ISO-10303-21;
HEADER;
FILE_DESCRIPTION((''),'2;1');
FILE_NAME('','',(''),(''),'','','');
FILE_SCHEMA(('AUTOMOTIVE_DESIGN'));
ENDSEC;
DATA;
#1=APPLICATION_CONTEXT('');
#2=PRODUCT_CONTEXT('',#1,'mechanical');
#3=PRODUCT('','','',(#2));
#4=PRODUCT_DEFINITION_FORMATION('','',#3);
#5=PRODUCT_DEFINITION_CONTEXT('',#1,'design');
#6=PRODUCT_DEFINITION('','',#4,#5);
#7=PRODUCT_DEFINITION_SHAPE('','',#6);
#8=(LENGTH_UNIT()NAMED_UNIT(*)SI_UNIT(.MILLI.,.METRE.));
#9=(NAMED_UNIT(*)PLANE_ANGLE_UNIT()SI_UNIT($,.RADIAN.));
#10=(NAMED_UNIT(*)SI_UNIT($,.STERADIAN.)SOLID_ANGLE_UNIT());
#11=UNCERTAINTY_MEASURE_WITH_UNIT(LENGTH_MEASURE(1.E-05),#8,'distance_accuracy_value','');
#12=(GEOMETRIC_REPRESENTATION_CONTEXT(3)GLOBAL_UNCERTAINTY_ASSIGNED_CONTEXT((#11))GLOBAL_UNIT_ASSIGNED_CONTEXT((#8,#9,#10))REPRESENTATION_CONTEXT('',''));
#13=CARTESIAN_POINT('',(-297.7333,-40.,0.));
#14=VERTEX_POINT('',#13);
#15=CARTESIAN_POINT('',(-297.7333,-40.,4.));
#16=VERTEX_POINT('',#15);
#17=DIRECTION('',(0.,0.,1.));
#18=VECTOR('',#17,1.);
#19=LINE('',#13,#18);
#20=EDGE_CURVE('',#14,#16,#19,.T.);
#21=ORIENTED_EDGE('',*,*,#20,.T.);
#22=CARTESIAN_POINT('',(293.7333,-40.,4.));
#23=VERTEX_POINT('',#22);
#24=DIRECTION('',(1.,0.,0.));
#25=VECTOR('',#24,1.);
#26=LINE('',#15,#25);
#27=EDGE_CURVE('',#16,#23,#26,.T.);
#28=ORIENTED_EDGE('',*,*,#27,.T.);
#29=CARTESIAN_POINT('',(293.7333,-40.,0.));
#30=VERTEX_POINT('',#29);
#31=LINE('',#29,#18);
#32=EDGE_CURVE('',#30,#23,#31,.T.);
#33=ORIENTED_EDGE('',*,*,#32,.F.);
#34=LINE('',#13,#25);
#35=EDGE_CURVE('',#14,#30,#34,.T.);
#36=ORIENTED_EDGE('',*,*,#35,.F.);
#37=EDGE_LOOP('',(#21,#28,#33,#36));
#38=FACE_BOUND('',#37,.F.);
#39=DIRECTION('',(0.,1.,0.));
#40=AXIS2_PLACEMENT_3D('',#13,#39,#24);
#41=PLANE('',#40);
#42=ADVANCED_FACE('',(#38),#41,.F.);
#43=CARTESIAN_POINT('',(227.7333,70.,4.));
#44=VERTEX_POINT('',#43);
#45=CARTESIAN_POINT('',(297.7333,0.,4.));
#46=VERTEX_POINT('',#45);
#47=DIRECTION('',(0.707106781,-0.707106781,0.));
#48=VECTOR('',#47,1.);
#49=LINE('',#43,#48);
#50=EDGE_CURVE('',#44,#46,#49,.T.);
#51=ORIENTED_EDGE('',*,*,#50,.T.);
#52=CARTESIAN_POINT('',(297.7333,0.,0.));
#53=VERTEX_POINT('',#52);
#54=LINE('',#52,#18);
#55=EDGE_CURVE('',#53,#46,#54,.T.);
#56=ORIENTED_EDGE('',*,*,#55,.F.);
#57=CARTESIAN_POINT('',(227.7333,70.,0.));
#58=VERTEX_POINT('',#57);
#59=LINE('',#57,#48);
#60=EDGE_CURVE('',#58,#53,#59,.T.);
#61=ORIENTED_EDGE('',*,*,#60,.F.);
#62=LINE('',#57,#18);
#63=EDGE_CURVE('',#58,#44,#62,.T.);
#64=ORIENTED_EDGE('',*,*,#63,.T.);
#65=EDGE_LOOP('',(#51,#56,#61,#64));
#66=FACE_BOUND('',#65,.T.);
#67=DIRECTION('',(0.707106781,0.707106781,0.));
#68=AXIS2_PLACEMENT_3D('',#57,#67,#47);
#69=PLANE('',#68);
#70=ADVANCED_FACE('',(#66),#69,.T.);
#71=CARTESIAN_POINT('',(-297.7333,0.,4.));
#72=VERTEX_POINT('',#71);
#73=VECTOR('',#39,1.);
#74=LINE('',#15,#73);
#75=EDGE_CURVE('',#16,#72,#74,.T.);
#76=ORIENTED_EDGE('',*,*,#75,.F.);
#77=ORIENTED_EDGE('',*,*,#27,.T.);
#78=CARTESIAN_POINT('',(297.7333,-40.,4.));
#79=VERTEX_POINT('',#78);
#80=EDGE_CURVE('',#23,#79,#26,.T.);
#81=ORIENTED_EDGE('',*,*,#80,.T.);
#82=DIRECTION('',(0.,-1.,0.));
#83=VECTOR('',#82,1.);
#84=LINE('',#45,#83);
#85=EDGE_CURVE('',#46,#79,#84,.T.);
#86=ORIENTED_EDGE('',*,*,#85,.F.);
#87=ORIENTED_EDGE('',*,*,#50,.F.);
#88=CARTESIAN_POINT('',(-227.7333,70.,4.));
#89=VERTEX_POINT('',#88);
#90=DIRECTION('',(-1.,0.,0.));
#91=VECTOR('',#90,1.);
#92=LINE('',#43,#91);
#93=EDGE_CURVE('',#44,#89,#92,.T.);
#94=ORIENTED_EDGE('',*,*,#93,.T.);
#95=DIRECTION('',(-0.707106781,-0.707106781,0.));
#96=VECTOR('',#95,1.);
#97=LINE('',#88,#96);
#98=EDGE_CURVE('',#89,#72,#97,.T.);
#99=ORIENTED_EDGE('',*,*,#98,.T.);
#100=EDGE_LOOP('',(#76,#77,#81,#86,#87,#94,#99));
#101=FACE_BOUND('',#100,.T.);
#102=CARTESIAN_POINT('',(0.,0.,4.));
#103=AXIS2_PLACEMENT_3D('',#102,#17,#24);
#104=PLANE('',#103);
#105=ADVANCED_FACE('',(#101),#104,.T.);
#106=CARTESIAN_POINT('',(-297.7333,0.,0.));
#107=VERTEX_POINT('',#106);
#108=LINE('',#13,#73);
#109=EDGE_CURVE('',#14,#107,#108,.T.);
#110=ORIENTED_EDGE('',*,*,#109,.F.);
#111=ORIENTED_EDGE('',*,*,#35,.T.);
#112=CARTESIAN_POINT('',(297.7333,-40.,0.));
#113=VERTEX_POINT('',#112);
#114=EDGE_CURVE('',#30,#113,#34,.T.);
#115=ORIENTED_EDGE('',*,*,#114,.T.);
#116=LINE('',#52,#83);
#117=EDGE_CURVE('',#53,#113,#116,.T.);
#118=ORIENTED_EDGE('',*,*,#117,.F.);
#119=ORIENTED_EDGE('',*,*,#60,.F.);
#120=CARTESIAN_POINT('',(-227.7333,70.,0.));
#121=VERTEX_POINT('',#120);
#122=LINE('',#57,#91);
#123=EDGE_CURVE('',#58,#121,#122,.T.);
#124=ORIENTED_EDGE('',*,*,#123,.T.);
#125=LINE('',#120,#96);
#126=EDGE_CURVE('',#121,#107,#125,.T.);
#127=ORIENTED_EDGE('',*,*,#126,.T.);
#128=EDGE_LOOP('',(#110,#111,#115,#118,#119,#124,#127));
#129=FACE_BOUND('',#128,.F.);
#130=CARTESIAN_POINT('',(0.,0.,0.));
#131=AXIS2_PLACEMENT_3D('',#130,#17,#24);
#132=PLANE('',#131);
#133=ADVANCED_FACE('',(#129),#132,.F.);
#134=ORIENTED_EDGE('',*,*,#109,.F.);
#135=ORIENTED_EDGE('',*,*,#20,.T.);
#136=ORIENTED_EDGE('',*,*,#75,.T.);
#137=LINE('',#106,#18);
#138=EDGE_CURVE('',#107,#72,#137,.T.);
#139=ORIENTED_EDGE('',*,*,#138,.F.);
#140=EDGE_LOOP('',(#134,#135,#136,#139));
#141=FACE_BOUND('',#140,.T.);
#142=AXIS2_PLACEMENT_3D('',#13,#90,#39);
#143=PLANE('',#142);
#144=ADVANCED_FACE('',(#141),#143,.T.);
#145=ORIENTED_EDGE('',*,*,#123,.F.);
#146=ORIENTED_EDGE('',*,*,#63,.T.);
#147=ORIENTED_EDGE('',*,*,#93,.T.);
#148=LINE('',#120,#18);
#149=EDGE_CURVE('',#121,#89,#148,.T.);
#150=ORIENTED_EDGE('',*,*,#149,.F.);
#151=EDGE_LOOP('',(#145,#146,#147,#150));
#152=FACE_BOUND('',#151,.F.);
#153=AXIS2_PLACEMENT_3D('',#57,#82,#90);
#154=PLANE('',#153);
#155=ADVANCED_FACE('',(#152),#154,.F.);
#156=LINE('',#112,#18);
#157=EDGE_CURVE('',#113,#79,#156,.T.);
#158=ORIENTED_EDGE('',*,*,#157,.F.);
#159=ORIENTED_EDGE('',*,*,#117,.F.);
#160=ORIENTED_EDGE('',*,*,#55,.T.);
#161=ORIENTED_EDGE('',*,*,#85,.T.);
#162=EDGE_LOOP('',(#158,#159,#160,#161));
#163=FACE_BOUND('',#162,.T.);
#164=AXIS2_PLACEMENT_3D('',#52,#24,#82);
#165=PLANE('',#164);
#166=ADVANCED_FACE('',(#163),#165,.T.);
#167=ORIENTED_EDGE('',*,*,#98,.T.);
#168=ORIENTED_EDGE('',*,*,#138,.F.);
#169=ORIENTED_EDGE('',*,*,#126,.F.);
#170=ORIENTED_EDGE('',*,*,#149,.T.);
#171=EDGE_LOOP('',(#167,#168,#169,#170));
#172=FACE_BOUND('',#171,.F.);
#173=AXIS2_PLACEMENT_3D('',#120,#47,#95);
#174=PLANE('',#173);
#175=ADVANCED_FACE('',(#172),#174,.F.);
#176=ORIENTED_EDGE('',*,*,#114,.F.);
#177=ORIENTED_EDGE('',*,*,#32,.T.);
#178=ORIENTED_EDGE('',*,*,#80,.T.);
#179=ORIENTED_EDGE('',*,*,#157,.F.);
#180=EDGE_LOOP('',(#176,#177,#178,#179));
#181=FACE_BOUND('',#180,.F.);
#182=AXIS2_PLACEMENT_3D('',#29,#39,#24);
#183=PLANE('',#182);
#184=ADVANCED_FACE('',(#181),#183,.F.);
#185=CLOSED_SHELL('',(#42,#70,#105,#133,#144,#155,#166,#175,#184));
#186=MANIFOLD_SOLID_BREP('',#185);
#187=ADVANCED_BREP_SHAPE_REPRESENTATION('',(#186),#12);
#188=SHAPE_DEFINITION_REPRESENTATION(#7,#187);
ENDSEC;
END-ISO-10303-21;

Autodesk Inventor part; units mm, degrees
ref_plane "YZ Plane" through (0, 0, 0) normal (1, 0, 0) x (0, 1, 0)
ref_plane "XZ Plane" through (0, 0, 0) normal (0, 1, 0) x (-1, 0, 0)
ref_plane "XY Plane" through (0, 0, 0) normal (0, 0, 1) x (1, 0, 0)
sketch "スケッチ1" plane through (0, 0, 0) normal (0, 0, 1) x (1, 0, 0)
  line L0 (-297.7333, 0) -> (297.7333, 0) construction
  line L1 (297.7333, 0) -> (297.7333, 0)
  line L2 (227.7333, 70) -> (-227.7333, 70)
  line L3 (-297.7333, 0) -> (-297.7333, 0)
  line L4 (0, 0) -> (0, 70) construction
  line L5 (-227.7333, 70) -> (-297.7333, 0)
  line L6 (227.7333, 70) -> (297.7333, 0)
  line L7 (-297.7333, 0) -> (297.7333, 0) construction
  line L8 (297.7333, 0) -> (297.7333, -40)
  line L9 (293.7333, -67.2) -> (-297.7333, -67.2) construction
  line L10 (-297.7333, -67.2) -> (-297.7333, -40) construction
  line L11 (-297.7333, -40) -> (297.7333, -40)
  line L12 (297.7333, -40) -> (293.7333, -40)
  line L13 (293.7333, -40) -> (293.7333, -67.2)
  line L14 (-297.7333, -40) -> (-297.7333, 0)
  point P0 (297.7333, 70)
  point P1 (-297.7333, 70)
  point P2 (0, 0)
  dimension "d0" = 70
  dimension "d1" = 595.4667
  dimension "d3" = 70
  dimension "d4" = 70
  dimension "d5" = 70
  dimension "d6" = 70
  dimension "d7" = 67.2
  dimension "d10" = 40
  dimension "d12" = 4
extrude "押し出し1" add sketch "スケッチ1" along normal blind 4
equation "\"d4\" = d3"
equation "\"d5\" = d3"
equation "\"d6\" = d5"
properties part number "泥除け2"
